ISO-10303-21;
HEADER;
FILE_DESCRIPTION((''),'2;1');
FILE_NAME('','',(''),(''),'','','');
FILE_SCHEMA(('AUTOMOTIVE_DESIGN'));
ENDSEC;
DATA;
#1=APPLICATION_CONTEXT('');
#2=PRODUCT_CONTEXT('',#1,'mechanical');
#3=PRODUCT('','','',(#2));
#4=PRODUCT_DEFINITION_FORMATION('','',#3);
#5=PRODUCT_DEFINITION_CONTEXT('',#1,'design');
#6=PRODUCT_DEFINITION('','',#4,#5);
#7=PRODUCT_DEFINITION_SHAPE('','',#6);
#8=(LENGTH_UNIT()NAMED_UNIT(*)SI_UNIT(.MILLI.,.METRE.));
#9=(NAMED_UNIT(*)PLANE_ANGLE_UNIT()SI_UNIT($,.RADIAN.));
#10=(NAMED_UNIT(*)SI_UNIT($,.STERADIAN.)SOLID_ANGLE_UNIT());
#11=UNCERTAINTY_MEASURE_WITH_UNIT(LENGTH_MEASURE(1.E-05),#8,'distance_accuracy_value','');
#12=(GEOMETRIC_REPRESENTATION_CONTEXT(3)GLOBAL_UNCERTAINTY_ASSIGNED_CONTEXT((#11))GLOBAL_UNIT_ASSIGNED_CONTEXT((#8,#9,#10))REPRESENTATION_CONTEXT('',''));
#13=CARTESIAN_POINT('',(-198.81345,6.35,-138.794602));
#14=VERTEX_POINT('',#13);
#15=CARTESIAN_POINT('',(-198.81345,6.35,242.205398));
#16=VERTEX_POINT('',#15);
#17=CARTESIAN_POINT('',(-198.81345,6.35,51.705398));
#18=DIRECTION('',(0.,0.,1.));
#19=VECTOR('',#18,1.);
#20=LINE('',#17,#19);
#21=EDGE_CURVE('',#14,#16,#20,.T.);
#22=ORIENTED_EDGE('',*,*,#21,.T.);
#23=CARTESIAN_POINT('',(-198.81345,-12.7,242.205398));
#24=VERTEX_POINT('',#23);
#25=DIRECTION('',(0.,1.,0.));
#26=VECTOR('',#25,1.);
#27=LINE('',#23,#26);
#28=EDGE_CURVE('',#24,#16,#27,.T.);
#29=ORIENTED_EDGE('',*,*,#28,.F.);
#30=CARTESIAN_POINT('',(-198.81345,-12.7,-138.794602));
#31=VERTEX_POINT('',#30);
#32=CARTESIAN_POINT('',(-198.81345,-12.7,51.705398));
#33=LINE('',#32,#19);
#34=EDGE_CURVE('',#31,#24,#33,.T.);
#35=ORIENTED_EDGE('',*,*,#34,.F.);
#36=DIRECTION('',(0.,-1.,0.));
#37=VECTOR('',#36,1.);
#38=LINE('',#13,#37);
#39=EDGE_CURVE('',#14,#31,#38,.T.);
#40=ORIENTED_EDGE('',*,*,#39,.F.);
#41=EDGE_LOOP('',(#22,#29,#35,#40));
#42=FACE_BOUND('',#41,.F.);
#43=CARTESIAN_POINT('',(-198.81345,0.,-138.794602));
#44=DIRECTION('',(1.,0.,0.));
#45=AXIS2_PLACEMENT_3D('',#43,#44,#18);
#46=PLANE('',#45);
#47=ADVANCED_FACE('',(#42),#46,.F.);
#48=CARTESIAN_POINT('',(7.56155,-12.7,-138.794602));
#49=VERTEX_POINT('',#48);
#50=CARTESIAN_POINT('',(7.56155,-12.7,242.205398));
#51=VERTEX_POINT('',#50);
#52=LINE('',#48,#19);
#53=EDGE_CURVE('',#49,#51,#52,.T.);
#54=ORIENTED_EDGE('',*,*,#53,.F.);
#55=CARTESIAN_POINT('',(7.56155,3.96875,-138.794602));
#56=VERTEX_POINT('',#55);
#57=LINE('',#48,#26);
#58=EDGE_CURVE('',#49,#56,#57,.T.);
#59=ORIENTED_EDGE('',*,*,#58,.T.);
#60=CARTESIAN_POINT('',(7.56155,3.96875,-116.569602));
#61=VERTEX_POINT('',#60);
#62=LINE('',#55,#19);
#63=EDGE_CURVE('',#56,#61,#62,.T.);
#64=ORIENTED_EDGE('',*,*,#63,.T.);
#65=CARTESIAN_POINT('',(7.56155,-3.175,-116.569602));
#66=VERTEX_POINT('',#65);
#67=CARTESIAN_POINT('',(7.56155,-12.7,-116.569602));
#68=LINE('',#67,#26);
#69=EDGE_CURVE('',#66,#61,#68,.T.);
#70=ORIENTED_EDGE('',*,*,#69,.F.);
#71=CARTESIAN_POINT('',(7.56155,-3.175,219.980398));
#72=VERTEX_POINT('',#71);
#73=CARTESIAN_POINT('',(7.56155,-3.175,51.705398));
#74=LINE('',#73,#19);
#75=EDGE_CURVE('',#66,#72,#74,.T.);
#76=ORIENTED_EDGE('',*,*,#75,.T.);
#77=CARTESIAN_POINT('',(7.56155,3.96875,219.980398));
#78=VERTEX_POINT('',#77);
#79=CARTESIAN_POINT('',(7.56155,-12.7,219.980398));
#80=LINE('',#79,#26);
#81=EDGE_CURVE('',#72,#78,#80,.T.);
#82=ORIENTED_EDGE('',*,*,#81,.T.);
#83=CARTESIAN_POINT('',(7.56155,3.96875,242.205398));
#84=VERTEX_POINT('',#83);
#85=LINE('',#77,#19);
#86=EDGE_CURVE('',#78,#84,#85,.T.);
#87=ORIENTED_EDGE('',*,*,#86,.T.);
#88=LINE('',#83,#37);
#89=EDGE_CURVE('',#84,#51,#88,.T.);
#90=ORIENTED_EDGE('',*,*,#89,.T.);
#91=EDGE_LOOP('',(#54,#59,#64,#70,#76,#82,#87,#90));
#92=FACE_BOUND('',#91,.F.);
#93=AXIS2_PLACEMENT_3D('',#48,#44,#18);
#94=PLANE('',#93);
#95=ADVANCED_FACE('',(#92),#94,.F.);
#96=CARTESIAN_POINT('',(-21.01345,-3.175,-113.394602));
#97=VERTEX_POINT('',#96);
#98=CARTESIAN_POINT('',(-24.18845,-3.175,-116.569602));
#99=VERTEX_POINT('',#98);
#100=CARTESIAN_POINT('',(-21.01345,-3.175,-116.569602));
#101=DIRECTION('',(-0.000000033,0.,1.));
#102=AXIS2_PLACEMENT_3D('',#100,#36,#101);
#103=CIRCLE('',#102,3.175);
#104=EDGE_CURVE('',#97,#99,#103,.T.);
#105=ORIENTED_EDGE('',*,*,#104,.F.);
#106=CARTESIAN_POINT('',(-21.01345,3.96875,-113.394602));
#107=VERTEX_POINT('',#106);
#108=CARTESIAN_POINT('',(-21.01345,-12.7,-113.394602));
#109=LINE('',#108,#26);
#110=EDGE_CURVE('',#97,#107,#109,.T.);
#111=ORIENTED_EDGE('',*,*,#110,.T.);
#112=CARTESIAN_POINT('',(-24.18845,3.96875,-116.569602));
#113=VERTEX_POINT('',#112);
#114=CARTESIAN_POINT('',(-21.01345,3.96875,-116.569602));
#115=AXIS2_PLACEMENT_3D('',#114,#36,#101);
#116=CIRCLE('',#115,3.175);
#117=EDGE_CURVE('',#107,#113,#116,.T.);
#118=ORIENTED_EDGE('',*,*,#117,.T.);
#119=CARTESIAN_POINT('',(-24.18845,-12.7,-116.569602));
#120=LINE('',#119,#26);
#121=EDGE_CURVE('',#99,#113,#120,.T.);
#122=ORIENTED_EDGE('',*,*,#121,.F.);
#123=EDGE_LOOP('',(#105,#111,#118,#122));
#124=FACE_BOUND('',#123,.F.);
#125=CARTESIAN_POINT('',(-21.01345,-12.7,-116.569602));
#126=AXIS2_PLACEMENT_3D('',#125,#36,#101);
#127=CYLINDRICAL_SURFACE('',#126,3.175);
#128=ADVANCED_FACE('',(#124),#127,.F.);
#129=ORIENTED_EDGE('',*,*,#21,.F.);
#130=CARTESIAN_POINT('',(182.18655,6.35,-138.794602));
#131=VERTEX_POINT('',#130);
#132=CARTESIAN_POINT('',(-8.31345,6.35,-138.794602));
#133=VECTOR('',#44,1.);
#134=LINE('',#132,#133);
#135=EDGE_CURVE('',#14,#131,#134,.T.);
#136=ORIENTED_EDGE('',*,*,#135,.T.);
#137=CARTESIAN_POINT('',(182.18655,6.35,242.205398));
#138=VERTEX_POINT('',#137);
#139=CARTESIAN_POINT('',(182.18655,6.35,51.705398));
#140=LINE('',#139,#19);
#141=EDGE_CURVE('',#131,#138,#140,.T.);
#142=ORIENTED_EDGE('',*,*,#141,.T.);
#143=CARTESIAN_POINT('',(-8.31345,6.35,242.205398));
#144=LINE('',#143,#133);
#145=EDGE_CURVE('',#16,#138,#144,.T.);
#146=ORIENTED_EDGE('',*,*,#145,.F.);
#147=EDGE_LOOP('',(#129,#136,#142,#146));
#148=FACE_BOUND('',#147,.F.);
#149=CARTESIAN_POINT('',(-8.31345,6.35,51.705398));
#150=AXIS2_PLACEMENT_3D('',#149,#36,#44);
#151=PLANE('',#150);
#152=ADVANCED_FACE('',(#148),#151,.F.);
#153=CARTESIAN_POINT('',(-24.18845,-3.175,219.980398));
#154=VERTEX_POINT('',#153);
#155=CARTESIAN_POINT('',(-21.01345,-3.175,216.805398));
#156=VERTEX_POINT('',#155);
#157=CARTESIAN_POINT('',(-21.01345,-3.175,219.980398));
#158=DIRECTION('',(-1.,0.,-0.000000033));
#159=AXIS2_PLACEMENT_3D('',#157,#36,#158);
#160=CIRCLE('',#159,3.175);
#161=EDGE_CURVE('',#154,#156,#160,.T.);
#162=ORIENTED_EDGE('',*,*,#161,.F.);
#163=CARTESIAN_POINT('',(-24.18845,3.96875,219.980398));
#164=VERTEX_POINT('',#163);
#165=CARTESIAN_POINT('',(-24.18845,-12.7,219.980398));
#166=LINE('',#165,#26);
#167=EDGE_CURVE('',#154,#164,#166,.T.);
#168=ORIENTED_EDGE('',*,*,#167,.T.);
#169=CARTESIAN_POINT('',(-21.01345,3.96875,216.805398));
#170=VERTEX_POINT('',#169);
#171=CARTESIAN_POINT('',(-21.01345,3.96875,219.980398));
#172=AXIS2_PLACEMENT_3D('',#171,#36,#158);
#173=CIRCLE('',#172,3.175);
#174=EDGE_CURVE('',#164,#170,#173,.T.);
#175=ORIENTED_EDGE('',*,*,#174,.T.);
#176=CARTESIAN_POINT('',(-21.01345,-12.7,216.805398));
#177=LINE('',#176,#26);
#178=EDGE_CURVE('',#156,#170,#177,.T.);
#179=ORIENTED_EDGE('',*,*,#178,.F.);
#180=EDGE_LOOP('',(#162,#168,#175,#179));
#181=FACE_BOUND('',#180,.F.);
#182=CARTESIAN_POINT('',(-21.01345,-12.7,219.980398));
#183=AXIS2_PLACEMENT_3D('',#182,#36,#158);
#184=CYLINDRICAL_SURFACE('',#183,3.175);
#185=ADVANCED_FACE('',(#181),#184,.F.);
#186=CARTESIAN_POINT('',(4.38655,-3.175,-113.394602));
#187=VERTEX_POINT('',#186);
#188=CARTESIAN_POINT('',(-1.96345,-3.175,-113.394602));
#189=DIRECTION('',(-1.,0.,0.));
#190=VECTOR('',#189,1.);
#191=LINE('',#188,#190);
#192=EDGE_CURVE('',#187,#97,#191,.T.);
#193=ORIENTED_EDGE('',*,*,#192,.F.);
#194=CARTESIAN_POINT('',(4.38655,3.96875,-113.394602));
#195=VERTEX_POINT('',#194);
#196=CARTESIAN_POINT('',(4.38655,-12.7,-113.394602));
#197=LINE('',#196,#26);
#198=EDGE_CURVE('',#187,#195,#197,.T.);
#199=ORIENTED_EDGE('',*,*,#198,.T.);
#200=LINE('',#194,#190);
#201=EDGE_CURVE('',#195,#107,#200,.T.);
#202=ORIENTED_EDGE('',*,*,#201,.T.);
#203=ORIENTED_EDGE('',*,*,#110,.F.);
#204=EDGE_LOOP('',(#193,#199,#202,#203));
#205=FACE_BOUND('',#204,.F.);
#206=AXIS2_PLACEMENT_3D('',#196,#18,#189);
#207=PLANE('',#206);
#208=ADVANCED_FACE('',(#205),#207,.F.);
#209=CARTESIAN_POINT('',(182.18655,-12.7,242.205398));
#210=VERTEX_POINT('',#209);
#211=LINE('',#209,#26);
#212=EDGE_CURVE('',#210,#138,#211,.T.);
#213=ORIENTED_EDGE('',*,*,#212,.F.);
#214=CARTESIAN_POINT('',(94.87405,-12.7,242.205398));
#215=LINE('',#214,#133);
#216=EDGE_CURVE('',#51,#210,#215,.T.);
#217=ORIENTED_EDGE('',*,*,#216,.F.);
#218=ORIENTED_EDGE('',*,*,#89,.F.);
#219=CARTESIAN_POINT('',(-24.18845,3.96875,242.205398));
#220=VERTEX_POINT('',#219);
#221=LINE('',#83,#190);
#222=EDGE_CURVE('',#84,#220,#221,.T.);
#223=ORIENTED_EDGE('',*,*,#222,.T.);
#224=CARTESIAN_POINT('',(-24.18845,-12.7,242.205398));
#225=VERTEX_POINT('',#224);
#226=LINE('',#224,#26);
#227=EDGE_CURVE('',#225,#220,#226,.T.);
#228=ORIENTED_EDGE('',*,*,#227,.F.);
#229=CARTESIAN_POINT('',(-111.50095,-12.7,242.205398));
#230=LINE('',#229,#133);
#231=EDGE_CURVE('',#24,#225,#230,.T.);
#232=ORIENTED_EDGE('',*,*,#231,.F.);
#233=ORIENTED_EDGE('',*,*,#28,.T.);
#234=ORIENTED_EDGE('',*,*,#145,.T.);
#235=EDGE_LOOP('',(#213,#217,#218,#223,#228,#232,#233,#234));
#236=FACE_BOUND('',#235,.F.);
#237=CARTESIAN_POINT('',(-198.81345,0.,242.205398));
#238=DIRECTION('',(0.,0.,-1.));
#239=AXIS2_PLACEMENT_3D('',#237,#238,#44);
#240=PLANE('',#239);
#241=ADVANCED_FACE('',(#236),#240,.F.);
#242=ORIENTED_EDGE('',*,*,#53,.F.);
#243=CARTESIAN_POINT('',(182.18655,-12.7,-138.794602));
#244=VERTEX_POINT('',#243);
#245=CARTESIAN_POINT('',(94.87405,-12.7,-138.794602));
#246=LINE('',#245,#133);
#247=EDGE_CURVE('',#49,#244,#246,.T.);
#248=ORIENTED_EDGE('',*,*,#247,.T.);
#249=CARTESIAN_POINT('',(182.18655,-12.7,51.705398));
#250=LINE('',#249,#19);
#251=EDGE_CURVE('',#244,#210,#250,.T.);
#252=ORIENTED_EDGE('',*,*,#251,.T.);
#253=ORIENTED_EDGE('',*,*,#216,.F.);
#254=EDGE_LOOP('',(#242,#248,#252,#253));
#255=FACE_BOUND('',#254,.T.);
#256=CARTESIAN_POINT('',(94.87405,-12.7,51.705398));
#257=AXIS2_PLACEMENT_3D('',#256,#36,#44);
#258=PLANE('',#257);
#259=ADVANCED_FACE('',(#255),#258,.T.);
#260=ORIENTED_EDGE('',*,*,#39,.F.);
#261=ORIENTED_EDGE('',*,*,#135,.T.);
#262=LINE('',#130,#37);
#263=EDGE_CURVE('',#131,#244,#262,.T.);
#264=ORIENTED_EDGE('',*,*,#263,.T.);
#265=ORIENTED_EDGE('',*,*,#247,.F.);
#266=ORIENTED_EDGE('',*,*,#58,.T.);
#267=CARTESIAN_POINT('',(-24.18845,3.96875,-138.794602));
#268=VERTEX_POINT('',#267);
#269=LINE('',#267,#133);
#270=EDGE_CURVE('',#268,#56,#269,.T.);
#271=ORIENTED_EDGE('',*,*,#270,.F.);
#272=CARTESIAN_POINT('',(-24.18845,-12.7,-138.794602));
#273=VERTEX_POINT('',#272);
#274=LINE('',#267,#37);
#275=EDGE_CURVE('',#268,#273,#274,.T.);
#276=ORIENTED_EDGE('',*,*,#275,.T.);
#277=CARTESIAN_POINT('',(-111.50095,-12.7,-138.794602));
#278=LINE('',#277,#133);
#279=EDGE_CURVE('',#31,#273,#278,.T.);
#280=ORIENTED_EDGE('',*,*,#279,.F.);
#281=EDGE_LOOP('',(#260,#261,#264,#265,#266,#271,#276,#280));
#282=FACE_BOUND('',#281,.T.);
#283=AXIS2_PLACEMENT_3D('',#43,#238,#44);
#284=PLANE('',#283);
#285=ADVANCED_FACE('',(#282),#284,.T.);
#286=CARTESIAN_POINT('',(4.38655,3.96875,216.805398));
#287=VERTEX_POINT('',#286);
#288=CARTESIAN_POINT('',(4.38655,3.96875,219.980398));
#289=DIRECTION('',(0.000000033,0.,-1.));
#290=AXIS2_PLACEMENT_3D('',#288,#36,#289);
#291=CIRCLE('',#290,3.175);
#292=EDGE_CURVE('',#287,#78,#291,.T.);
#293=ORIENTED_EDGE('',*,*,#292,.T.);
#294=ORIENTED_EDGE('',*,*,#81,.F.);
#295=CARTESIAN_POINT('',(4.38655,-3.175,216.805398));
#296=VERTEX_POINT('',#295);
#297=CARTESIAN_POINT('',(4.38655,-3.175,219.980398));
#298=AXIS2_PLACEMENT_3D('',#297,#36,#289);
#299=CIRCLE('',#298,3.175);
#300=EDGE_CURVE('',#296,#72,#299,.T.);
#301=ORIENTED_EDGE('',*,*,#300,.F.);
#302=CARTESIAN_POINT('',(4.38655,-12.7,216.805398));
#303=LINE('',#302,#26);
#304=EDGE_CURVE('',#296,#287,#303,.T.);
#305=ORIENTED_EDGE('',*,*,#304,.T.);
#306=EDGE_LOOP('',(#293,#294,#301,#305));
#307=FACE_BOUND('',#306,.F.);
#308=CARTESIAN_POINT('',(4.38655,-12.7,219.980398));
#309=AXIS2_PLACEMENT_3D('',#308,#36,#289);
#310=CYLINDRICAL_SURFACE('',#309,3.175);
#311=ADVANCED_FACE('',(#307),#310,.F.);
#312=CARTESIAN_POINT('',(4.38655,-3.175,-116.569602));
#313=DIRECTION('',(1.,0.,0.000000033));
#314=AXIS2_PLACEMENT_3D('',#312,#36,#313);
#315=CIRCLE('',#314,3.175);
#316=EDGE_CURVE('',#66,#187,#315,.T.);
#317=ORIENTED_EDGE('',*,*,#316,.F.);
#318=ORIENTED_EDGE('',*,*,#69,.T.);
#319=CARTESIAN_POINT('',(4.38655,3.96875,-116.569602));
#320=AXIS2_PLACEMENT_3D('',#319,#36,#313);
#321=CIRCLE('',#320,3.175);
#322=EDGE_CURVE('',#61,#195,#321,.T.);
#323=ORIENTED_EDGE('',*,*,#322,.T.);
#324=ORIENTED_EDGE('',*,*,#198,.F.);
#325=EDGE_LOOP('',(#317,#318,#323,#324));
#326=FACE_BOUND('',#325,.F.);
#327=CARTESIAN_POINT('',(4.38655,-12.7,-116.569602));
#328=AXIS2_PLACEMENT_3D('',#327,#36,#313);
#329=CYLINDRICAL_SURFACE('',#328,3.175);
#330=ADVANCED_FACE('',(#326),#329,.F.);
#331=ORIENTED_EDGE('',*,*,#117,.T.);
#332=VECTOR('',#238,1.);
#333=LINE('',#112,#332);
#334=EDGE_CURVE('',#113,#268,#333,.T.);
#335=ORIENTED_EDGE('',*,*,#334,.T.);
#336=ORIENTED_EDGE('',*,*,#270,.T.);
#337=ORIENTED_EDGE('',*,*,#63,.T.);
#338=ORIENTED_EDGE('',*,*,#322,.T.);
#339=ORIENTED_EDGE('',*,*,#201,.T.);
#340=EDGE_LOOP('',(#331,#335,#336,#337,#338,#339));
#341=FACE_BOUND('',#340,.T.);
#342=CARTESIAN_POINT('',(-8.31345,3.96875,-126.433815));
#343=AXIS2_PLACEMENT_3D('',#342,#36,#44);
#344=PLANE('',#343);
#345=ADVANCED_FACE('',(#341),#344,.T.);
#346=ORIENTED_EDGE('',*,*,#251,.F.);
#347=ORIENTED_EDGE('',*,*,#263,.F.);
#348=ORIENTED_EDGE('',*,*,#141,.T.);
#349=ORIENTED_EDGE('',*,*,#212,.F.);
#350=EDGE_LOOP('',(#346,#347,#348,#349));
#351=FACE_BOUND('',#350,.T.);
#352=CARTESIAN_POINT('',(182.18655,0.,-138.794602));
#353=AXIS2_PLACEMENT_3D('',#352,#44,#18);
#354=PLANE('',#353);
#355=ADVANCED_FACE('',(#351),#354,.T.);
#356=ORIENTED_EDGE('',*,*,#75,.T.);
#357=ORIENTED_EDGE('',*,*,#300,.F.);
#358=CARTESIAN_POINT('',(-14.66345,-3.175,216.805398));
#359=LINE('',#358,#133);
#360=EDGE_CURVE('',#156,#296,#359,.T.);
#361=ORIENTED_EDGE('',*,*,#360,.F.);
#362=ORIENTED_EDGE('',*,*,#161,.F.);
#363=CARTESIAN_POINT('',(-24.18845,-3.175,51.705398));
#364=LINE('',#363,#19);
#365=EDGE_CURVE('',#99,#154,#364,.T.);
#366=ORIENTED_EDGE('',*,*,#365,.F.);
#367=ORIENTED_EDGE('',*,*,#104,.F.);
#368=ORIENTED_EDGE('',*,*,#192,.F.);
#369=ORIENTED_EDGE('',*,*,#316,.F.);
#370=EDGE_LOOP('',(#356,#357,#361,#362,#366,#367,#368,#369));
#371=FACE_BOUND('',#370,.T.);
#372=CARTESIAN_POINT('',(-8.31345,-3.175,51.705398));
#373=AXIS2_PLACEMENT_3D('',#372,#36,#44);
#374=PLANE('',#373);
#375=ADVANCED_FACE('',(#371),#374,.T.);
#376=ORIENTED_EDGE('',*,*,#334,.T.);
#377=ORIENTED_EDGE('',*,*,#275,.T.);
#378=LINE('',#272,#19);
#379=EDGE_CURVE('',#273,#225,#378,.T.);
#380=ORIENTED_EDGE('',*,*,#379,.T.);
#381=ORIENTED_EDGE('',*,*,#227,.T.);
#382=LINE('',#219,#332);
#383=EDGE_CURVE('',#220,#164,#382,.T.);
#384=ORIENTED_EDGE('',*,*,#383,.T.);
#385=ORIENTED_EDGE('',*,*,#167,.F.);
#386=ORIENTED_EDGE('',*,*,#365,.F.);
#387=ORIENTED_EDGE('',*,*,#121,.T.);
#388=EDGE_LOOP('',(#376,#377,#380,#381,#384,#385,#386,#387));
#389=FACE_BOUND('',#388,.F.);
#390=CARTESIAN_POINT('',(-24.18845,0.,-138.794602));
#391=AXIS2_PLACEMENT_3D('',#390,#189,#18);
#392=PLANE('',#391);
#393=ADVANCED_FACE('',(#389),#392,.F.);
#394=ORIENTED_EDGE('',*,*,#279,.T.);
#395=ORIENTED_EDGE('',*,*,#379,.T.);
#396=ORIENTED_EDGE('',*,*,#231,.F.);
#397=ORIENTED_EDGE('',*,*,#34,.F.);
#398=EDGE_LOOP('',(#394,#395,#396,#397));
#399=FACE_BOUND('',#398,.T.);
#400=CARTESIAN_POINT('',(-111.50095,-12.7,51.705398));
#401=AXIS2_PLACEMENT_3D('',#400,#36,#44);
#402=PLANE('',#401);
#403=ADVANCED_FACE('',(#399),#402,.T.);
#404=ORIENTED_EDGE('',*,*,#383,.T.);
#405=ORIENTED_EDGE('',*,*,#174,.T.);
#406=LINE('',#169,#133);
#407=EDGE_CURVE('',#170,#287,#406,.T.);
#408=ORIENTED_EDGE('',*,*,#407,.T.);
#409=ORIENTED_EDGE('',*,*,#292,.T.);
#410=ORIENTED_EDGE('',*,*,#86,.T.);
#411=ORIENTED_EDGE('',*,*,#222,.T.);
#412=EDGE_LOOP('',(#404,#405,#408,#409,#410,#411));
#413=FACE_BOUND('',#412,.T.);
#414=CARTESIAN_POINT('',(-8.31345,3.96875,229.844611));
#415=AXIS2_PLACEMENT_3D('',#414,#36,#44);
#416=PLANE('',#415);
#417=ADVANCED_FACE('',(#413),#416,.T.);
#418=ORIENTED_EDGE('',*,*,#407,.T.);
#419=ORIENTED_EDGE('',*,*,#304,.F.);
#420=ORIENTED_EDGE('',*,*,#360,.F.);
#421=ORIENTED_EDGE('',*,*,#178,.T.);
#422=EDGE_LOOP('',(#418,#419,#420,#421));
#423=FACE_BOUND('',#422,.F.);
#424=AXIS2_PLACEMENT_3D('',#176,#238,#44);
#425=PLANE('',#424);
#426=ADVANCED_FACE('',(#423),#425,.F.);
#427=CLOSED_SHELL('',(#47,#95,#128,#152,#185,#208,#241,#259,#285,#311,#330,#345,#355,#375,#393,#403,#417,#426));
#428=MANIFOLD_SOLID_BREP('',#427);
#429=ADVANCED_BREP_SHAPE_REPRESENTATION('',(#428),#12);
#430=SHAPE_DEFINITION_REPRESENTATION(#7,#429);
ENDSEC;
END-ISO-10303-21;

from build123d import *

# Parameters (mm, degrees)
F0_W     = 174.625
F0_H     = 381
F1_DEPTH = 12.7
F0_W_2   = 31.75
F2_DEPTH = 3.175
F4_W     = 381
F4_H     = 381
F5_DEPTH = 6.35
F6_DEPTH = 16.66875


with BuildPart() as f1:
    # F0 (on Front) → F1 (new body)
    with BuildSketch(Plane.XZ):
        with Locations((-111.50095, 51.705398)):
            Rectangle(F0_W, F0_H)
        with Locations((94.87405, 51.705398)):
            Rectangle(F0_W, F0_H)
    extrude(amount=F1_DEPTH)

    # F0 (on Front) → F2 (join)
    with BuildSketch(Plane.XZ):
        with Locations((-8.31345, 51.705398)):
            Rectangle(F0_W_2, F0_H)
    extrude(amount=F2_DEPTH)

    # F4 (on face) → F5 (join)
    with BuildSketch(Plane.XZ):
        with Locations((-8.31345, 51.705398)):
            Rectangle(F4_W, F4_H)
    extrude(amount=-F5_DEPTH)

    # F3 (on face) → F6 (cut)
    with BuildSketch(Plane.XZ.offset(12.7)):
        with BuildLine():
            Line((-24.18845, -116.569602), (-24.18845, -138.794602))
            Line((-24.18845, -138.794602), (7.56155, -138.794602))
            Line((7.56155, -138.794602), (7.56155, -116.569602))
            ThreePointArc((7.56155, -116.569602), (6.631614, -114.324538), (4.38655, -113.394602))
            Line((4.38655, -113.394602), (-21.01345, -113.394602))
            ThreePointArc((-21.01345, -113.394602), (-23.258514, -114.324538), (-24.18845, -116.569602))
        make_face()
        with BuildLine():
            ThreePointArc((-24.18845, 219.980398), (-23.258514, 217.735334), (-21.01345, 216.805398))
            Line((-21.01345, 216.805398), (4.38655, 216.805398))
            ThreePointArc((4.38655, 216.805398), (6.631614, 217.735334), (7.56155, 219.980398))
            Line((7.56155, 219.980398), (7.56155, 242.205398))
            Line((7.56155, 242.205398), (-24.18845, 242.205398))
            Line((-24.18845, 242.205398), (-24.18845, 219.980398))
        make_face()
    extrude(amount=-F6_DEPTH, mode=Mode.SUBTRACT)


solid = f1.part
